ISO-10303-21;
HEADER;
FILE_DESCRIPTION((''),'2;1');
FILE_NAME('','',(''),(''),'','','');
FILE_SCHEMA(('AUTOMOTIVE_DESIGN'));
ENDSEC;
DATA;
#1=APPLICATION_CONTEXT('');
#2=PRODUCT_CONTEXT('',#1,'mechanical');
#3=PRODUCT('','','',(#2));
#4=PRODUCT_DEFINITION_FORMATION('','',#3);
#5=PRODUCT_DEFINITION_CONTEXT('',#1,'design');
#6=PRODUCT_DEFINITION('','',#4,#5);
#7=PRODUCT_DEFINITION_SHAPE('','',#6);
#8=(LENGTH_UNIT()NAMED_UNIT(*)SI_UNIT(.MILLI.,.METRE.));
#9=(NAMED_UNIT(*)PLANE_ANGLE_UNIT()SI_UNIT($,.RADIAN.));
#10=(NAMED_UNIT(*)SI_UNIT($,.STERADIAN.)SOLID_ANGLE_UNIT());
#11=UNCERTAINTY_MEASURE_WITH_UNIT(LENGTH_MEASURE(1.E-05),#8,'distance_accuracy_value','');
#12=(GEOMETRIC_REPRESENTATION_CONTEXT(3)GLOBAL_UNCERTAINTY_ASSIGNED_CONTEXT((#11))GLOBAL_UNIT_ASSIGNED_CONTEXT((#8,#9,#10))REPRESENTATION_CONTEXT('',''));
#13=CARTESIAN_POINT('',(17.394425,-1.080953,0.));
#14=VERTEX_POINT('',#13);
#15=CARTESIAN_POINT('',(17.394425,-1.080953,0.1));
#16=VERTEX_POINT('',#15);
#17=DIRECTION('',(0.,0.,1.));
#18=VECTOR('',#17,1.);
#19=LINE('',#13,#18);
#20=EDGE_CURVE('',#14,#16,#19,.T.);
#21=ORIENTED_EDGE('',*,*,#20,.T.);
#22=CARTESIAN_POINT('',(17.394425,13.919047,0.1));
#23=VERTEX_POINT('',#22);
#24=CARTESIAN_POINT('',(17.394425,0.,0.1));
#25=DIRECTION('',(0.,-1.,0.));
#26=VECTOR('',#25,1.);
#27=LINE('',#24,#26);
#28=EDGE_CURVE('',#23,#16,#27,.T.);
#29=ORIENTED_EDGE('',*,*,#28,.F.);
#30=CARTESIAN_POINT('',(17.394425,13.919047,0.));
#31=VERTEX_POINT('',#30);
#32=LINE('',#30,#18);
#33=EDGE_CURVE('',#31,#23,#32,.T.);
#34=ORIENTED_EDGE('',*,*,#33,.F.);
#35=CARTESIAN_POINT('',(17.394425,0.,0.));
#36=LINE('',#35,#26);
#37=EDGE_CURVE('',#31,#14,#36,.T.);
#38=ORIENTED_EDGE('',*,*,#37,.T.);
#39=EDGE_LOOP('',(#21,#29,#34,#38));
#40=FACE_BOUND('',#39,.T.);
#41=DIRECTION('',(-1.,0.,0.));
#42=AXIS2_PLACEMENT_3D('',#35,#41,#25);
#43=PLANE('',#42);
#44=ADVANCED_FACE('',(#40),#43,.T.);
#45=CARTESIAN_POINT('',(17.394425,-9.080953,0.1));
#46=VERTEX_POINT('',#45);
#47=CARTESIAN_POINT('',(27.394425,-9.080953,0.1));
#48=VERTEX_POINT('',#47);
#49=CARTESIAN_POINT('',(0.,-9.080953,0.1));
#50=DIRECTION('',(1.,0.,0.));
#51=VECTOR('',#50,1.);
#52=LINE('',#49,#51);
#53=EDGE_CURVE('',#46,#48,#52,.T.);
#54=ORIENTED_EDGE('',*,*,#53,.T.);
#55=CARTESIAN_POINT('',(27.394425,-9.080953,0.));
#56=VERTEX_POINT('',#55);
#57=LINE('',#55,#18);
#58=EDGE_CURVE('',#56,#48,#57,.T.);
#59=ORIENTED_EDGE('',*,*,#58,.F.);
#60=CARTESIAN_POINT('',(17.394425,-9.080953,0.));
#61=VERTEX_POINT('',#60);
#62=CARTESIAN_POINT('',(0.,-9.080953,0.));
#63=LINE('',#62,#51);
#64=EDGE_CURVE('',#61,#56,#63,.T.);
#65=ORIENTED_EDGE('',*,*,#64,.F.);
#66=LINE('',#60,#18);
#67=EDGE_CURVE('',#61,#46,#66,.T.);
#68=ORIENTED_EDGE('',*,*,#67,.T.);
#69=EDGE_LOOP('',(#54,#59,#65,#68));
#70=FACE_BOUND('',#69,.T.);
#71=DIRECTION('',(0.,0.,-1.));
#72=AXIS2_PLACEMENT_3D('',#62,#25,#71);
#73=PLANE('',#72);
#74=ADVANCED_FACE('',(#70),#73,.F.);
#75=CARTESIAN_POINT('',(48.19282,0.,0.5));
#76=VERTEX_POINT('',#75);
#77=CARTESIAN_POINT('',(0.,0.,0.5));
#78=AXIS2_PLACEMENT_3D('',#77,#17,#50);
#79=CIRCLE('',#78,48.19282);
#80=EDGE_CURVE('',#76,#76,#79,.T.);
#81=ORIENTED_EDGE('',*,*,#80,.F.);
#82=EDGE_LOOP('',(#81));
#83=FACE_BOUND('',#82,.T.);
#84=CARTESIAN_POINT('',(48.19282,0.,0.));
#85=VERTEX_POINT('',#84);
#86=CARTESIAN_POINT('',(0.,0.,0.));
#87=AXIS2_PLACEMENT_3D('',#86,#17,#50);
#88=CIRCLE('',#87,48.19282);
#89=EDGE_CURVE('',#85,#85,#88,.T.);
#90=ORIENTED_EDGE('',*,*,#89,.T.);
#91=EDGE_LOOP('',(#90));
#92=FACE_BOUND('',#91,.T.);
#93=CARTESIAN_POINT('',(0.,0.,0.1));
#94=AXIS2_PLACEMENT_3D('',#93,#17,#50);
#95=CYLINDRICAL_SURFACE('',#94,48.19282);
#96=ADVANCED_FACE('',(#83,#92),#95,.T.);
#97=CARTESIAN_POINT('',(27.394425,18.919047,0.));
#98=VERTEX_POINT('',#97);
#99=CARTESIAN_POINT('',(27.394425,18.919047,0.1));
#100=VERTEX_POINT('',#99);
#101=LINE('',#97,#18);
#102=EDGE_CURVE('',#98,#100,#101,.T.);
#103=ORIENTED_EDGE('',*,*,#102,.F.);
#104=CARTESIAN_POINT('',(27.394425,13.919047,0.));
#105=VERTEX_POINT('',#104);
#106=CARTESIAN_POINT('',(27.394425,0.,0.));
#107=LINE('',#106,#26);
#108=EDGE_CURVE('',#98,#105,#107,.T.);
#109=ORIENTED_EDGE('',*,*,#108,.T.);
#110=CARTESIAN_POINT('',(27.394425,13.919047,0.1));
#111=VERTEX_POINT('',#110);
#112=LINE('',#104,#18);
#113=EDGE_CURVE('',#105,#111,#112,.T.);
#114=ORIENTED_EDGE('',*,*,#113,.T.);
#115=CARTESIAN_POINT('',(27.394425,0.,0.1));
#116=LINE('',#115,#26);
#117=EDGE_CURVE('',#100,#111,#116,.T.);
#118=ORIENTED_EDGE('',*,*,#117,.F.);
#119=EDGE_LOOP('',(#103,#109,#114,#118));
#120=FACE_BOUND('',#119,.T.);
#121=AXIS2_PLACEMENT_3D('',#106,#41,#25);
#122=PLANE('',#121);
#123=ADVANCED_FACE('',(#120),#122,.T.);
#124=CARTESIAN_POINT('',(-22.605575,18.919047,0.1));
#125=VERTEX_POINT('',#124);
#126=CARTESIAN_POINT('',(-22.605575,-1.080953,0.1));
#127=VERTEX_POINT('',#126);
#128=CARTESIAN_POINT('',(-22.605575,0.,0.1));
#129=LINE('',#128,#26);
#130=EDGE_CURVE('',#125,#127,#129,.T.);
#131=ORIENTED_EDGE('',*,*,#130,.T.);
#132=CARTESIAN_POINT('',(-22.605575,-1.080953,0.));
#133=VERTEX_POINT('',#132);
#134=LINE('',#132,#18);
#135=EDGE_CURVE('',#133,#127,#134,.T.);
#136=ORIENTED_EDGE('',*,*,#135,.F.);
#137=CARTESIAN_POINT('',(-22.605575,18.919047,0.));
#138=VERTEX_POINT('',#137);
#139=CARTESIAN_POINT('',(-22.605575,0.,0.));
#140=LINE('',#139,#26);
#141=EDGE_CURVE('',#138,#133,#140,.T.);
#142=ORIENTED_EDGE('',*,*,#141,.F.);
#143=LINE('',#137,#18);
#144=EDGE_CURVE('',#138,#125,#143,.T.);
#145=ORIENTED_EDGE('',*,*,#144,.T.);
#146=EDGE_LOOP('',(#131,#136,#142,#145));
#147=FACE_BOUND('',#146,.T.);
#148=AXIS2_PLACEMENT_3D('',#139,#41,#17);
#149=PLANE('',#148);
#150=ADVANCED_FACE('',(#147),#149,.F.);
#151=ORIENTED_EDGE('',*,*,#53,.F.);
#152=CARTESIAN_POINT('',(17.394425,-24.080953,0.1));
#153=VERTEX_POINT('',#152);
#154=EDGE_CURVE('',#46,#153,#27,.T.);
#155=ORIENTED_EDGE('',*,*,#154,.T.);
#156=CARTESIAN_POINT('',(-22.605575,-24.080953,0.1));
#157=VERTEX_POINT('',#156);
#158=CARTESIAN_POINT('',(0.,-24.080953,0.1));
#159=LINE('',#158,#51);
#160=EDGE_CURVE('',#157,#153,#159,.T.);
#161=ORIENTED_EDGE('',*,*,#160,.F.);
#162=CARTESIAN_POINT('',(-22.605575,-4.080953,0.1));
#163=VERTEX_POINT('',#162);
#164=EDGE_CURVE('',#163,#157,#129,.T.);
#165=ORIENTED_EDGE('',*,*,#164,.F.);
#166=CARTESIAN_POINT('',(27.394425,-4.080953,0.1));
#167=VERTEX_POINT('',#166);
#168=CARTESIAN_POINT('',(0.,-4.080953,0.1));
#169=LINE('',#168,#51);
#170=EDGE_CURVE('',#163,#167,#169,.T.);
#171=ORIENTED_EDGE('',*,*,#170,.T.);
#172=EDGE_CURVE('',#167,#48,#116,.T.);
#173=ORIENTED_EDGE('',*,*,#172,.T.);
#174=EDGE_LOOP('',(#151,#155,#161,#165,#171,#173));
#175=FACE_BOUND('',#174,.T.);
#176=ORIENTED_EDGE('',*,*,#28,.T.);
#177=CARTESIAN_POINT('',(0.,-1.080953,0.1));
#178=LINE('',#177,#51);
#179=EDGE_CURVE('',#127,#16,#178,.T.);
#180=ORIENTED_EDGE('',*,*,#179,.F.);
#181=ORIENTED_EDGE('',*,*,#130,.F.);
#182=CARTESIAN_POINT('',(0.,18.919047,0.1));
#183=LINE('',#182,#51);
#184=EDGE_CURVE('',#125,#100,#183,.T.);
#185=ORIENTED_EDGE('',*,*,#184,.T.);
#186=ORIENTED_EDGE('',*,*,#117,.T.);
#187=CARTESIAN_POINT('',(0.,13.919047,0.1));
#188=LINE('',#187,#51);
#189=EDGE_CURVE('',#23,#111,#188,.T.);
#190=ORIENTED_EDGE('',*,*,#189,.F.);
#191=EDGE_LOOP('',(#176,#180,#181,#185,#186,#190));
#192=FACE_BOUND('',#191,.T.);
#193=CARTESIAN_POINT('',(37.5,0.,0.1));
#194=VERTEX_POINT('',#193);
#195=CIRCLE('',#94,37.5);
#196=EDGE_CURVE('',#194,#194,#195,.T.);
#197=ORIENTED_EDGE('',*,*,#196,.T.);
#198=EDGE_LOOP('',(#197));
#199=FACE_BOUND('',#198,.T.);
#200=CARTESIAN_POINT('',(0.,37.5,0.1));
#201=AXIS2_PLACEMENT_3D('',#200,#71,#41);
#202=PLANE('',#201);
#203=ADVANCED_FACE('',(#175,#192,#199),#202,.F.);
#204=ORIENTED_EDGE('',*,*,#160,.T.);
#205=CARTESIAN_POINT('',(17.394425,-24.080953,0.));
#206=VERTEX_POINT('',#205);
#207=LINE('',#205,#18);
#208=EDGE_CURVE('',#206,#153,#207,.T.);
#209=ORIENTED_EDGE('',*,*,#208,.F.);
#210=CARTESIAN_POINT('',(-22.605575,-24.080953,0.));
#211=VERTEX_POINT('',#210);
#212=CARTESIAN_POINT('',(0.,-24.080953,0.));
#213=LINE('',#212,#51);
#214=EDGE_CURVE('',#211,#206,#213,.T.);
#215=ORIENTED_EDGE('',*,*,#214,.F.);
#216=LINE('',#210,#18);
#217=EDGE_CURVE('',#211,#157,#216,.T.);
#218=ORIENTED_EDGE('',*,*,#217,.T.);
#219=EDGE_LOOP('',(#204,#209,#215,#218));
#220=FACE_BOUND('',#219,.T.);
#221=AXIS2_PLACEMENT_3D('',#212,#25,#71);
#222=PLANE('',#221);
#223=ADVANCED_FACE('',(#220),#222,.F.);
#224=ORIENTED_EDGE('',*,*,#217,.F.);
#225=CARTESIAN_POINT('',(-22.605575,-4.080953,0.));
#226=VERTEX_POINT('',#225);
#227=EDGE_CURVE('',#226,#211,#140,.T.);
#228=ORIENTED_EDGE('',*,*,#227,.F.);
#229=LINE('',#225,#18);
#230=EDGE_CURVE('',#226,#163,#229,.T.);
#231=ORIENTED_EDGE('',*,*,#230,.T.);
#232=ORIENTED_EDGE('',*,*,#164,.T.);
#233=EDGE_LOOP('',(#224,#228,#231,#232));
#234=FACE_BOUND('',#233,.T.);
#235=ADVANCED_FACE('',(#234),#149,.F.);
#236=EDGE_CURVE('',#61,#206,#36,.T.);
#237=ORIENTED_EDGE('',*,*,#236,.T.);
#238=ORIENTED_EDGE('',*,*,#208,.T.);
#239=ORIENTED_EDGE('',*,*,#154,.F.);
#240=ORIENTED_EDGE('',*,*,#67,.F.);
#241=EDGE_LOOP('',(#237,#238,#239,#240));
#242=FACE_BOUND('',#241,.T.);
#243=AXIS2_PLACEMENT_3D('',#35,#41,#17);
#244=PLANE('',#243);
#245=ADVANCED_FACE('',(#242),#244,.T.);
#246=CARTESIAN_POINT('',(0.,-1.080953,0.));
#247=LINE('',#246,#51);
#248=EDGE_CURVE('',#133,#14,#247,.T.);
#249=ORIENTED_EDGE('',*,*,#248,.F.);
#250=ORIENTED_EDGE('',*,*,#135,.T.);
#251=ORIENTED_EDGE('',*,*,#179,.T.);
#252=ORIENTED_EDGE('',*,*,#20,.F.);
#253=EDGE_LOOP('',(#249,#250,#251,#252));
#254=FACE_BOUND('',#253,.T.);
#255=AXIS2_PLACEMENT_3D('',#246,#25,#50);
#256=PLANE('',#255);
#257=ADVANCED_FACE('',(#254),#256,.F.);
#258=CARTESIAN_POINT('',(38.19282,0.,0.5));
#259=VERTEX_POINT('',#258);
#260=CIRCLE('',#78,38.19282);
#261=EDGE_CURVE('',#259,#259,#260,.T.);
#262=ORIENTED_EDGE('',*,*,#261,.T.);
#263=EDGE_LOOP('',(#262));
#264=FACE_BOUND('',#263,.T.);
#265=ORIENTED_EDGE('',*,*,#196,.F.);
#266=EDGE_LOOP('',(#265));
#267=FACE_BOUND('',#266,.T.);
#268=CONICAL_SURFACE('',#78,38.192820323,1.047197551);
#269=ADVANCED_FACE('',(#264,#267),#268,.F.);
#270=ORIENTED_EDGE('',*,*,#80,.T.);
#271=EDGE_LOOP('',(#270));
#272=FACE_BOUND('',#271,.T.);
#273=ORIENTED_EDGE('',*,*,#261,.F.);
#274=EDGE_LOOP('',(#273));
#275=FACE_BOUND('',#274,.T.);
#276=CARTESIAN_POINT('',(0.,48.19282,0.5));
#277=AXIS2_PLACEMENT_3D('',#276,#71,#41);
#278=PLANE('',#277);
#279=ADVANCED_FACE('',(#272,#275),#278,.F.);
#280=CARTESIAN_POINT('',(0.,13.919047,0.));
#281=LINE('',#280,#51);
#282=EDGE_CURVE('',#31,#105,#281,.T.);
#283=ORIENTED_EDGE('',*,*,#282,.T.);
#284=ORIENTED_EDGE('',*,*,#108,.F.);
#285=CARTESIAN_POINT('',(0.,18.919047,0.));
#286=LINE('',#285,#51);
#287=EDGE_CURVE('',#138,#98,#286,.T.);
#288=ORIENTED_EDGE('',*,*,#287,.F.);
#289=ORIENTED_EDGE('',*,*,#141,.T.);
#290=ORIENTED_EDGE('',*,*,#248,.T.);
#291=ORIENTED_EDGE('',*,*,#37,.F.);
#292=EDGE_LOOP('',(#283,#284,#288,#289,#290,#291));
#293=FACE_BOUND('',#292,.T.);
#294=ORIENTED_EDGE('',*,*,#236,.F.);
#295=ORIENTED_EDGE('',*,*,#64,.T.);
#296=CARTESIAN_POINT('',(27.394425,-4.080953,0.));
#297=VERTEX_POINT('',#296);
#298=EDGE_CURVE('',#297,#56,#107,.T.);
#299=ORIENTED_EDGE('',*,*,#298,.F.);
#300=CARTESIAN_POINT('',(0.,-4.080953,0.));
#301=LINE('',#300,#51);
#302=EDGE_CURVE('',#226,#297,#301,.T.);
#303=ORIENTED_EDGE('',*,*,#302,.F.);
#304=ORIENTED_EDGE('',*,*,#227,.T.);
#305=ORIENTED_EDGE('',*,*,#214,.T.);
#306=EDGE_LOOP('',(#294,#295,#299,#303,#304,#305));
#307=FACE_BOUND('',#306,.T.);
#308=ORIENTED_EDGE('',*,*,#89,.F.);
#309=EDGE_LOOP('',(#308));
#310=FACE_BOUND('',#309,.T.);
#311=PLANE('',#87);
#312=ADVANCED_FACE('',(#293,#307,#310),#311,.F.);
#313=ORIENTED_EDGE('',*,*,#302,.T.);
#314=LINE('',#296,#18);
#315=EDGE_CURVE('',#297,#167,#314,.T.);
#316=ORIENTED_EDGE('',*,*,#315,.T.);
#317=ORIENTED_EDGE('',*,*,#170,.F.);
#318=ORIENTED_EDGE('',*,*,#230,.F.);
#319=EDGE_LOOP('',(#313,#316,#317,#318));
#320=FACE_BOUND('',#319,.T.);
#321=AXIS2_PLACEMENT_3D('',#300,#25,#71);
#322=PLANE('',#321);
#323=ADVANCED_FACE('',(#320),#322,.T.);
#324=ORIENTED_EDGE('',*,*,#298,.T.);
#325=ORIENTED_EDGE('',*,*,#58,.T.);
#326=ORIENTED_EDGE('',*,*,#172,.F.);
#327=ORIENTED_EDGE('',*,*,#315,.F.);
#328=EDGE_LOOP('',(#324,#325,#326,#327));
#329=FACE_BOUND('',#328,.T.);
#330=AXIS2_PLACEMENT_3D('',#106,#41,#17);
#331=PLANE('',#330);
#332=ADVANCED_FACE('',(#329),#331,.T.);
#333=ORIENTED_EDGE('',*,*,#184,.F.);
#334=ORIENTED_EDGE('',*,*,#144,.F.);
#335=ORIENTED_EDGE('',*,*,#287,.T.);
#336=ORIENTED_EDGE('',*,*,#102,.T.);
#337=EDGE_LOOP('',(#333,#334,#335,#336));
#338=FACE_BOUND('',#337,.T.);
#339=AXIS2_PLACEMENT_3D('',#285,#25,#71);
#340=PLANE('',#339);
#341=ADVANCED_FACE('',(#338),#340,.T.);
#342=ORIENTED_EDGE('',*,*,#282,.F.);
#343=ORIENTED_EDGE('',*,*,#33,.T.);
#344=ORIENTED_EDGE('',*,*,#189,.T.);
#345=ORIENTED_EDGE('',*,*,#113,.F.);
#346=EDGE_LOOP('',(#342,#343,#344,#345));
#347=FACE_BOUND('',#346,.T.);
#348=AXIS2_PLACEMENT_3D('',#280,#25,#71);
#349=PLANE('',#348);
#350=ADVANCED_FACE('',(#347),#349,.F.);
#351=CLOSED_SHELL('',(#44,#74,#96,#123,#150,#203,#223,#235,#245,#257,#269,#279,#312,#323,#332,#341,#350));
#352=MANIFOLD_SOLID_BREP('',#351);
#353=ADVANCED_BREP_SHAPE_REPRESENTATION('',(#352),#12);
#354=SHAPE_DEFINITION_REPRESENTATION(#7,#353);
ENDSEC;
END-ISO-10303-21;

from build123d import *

# Parameters (mm, degrees)
CUT_EXTRUDE1_DEPTH = 69.156113896


with BuildPart() as part:
    # Sketch2 → Revolve1 (revolve)
    with BuildSketch(Plane.YZ):
        Polygon((48.192820323, 0.5), (38.192820323, 0.5), (37.5, 0.1), (0, 0.1), (0, 0), (48.192820323, 0), align=None)
    revolve(axis=Axis((0, 0, 0.1), (0, 0, -1)))

    # Sketch3 → Cut-Extrude1 (cut, through all)
    with BuildSketch(Plane.XY.offset(0.1)):
        Polygon((-22.605575449, 18.919047288), (-22.605575449, -1.080952712), (17.394424551, -1.080952712), (17.394424551, 13.919047288), (27.394424551, 13.919047288), (27.394424551, 18.919047288), align=None)
        Polygon((-22.605575449, -4.080952712), (-22.605575449, -24.080952712), (17.394424551, -24.080952712), (17.394424551, -9.080952712), (27.394424551, -9.080952712), (27.394424551, -4.080952712), align=None)
    extrude(amount=-CUT_EXTRUDE1_DEPTH, mode=Mode.SUBTRACT)


solid = part.part
